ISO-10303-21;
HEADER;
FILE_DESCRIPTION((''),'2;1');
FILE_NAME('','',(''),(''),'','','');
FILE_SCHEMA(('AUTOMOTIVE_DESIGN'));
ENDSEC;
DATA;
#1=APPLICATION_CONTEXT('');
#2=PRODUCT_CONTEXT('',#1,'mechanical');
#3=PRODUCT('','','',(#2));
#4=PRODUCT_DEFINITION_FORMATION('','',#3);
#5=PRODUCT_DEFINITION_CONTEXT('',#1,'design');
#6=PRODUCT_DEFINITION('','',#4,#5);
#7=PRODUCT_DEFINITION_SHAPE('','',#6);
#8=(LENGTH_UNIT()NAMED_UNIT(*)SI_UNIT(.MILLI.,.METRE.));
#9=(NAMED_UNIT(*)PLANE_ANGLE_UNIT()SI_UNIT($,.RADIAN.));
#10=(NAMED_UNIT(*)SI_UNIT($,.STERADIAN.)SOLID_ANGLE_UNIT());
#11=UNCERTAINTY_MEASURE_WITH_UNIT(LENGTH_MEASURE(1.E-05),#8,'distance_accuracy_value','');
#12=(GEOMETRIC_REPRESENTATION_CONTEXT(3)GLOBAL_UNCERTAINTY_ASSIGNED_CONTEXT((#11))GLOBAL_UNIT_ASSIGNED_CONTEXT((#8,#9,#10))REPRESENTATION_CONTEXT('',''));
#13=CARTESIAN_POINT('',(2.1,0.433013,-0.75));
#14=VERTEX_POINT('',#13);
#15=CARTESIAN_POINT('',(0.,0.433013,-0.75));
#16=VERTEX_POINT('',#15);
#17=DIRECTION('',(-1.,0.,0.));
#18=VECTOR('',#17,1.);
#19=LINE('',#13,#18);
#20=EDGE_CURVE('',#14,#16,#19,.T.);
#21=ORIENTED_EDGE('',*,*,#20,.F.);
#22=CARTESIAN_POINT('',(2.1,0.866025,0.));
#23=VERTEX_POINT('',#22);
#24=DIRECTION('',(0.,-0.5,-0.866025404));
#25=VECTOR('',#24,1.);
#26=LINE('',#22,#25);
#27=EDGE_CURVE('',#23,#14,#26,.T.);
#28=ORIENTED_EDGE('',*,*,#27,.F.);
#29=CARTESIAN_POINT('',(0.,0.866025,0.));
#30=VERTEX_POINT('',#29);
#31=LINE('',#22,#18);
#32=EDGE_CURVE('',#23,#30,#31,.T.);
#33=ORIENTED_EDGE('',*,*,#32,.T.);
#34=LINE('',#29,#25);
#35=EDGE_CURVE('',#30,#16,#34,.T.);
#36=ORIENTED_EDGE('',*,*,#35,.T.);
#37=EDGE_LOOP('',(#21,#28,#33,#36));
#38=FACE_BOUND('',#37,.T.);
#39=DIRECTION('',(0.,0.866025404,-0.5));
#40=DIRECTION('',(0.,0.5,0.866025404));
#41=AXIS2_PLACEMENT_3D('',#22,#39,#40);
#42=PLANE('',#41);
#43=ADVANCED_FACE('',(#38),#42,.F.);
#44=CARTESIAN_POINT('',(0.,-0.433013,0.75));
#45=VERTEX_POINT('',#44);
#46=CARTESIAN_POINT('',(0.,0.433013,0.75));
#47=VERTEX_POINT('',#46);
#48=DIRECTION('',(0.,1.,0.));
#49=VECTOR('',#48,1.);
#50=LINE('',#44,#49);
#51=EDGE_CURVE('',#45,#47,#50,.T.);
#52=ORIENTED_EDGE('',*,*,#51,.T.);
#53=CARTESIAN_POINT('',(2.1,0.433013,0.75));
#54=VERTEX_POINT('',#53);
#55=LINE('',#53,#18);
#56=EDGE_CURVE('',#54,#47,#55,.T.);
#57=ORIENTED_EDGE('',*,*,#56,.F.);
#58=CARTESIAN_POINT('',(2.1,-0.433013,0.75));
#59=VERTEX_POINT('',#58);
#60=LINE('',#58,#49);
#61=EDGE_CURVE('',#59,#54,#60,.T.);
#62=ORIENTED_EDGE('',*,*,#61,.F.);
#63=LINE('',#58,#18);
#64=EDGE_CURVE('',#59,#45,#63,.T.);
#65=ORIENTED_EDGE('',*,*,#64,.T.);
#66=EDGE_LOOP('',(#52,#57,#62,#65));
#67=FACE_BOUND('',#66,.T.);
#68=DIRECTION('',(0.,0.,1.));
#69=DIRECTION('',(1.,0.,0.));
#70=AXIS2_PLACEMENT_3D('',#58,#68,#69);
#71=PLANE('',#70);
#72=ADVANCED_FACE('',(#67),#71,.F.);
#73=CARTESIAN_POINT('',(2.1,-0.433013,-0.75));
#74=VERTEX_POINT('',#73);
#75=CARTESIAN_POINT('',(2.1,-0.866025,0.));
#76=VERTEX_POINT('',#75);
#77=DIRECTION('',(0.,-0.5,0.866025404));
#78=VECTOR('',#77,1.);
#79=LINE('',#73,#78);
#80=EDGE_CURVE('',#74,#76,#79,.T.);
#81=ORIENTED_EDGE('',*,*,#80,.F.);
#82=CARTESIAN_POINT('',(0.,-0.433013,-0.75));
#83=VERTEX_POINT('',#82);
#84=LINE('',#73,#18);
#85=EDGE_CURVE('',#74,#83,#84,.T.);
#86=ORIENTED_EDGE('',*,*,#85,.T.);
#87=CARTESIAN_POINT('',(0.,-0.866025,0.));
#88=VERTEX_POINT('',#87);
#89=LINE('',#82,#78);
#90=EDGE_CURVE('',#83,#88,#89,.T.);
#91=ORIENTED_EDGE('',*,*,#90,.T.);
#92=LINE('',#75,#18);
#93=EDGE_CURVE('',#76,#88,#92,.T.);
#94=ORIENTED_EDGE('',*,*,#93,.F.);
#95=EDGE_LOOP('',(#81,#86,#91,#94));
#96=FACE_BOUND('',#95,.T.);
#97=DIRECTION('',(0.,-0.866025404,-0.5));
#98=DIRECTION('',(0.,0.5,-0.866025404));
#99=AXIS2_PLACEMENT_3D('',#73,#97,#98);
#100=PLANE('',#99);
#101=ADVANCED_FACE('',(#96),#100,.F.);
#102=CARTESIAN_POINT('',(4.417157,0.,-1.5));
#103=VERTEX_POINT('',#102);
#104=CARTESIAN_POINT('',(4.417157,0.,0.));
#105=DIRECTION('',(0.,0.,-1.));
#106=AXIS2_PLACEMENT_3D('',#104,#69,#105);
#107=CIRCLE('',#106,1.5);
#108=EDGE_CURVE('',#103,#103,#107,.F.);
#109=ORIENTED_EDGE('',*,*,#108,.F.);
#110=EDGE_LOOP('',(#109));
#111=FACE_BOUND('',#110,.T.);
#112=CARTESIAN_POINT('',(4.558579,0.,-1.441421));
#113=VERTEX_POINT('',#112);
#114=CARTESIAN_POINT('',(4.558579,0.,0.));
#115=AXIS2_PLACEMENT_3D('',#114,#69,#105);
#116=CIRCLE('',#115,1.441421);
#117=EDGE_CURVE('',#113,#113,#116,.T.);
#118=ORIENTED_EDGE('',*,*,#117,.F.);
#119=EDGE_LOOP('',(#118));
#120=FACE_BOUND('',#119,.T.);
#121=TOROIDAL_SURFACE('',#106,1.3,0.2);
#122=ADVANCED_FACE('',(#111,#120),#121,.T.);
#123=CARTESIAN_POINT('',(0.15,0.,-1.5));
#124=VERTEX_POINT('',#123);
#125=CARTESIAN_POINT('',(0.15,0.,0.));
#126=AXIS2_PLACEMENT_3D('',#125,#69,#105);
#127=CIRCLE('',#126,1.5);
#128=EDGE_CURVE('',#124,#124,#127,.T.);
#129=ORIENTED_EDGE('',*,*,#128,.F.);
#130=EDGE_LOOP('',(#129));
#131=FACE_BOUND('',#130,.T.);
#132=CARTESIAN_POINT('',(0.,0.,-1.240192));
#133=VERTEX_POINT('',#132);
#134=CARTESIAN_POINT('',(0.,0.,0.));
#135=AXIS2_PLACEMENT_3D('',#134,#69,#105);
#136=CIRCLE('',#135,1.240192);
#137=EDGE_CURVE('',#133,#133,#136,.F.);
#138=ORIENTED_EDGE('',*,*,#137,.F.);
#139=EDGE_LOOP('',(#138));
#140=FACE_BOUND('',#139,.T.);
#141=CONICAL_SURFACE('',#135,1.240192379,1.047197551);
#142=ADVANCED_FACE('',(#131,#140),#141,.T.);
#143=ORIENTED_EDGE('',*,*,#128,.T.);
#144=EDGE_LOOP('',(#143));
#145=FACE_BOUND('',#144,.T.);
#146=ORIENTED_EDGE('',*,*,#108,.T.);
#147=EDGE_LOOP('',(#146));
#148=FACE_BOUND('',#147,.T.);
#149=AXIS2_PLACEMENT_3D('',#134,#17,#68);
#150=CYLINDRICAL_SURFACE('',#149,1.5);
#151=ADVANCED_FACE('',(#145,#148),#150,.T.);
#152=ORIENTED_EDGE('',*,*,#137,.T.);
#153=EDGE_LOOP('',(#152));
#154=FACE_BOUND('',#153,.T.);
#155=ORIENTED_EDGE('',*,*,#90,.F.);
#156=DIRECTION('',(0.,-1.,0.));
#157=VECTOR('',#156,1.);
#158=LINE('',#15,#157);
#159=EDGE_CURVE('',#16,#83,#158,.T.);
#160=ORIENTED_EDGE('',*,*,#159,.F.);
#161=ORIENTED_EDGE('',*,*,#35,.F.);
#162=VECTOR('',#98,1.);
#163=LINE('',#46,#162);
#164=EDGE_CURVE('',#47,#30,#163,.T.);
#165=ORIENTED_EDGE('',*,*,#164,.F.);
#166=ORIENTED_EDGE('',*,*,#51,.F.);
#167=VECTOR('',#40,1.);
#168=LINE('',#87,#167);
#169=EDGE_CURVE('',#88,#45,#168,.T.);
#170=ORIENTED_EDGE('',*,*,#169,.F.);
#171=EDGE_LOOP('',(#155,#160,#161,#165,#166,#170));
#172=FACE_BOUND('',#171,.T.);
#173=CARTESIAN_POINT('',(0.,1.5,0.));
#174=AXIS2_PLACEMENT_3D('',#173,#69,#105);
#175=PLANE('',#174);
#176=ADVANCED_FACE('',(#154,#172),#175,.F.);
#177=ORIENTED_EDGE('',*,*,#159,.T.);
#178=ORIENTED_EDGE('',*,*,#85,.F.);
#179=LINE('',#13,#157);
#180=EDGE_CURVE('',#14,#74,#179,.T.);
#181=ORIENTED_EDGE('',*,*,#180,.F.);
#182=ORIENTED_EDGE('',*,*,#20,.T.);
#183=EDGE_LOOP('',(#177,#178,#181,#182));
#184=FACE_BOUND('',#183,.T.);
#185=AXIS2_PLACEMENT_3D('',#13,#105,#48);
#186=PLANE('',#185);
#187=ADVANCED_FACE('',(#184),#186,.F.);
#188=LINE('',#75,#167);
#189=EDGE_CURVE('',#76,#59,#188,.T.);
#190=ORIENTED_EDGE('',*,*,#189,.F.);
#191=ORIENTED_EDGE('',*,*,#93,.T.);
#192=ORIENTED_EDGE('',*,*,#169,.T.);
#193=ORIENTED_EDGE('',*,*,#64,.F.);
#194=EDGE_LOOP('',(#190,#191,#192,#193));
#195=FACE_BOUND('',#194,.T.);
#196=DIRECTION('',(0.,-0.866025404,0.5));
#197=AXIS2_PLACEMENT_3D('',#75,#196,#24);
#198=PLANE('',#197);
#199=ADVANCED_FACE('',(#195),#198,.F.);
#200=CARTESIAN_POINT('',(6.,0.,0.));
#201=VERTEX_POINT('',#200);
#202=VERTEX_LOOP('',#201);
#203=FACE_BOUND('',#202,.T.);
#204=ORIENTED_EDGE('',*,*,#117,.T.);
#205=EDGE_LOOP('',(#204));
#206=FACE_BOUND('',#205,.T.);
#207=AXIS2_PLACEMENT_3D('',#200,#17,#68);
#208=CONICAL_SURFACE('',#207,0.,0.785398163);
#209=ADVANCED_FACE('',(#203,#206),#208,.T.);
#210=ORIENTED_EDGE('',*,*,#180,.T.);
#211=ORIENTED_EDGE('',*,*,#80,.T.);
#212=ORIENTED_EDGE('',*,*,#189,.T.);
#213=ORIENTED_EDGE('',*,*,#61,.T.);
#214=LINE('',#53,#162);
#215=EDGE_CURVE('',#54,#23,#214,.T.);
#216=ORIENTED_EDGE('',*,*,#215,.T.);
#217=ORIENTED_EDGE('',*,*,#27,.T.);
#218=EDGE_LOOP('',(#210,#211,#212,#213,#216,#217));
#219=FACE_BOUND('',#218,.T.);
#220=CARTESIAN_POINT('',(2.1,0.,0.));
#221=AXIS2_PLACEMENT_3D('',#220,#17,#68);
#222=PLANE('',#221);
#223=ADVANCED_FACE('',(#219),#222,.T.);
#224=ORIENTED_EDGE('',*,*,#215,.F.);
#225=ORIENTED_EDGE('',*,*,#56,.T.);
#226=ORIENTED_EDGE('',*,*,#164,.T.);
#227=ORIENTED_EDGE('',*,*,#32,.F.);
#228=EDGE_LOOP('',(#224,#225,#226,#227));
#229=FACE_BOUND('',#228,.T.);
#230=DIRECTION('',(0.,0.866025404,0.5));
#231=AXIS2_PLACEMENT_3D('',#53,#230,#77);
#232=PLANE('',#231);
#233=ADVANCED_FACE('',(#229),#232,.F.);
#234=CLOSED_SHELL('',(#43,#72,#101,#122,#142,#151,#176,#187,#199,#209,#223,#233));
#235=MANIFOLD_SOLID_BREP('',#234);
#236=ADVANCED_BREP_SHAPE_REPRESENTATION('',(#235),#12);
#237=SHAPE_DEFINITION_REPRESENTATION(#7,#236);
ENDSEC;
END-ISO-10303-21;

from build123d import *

# Parameters (mm, degrees)
CUT_EXTRUDE1_DEPTH = 2.1
CHAMFER1_SIZE      = 0.15
CHAMFER1_SIZE2     = 0.259807621
FILLET1_R          = 0.2


with BuildPart() as part:
    # Sketch1 → Revolve1 (revolve)
    with BuildSketch(Plane.XY, mode=Mode.PRIVATE) as revolve1_sk:
        Polygon((0, 1.5), (0, 0), (6, 0), (4.5, 1.5), align=None)
    revolve(revolve1_sk.sketch.rotate(Axis((0, 0, 0), (1, 0, 0)), 90), axis=Axis((0, 0, 0), (1, 0, 0)))

    # Sketch2 → Cut-Extrude1 (cut)
    with BuildSketch(Plane.ZY):
        Polygon((0, -0.866025404), (0.75, -0.433012702), (0.75, 0.433012702), (0, 0.866025404), (-0.75, 0.433012702), (-0.75, -0.433012702), align=None)
    extrude(amount=-CUT_EXTRUDE1_DEPTH, mode=Mode.SUBTRACT)

    # Chamfer1
    chamfer1_edges = [part.edges().sort_by_distance(p)[0] for p in [
        (0, 0, -1.5),
    ]]
    chamfer1_side = [part.faces().sort_by_distance(p)[0] for p in [
        (2.25, 0, -1.5),
    ]]
    chamfer(chamfer1_edges, length=CHAMFER1_SIZE, length2=CHAMFER1_SIZE2, reference=chamfer1_side[0])

    # Fillet1
    fillet1_edges = [part.edges().sort_by_distance(p)[0] for p in [
        (4.5, 0, -1.5),
    ]]
    fillet(fillet1_edges, radius=FILLET1_R)


solid = part.part
